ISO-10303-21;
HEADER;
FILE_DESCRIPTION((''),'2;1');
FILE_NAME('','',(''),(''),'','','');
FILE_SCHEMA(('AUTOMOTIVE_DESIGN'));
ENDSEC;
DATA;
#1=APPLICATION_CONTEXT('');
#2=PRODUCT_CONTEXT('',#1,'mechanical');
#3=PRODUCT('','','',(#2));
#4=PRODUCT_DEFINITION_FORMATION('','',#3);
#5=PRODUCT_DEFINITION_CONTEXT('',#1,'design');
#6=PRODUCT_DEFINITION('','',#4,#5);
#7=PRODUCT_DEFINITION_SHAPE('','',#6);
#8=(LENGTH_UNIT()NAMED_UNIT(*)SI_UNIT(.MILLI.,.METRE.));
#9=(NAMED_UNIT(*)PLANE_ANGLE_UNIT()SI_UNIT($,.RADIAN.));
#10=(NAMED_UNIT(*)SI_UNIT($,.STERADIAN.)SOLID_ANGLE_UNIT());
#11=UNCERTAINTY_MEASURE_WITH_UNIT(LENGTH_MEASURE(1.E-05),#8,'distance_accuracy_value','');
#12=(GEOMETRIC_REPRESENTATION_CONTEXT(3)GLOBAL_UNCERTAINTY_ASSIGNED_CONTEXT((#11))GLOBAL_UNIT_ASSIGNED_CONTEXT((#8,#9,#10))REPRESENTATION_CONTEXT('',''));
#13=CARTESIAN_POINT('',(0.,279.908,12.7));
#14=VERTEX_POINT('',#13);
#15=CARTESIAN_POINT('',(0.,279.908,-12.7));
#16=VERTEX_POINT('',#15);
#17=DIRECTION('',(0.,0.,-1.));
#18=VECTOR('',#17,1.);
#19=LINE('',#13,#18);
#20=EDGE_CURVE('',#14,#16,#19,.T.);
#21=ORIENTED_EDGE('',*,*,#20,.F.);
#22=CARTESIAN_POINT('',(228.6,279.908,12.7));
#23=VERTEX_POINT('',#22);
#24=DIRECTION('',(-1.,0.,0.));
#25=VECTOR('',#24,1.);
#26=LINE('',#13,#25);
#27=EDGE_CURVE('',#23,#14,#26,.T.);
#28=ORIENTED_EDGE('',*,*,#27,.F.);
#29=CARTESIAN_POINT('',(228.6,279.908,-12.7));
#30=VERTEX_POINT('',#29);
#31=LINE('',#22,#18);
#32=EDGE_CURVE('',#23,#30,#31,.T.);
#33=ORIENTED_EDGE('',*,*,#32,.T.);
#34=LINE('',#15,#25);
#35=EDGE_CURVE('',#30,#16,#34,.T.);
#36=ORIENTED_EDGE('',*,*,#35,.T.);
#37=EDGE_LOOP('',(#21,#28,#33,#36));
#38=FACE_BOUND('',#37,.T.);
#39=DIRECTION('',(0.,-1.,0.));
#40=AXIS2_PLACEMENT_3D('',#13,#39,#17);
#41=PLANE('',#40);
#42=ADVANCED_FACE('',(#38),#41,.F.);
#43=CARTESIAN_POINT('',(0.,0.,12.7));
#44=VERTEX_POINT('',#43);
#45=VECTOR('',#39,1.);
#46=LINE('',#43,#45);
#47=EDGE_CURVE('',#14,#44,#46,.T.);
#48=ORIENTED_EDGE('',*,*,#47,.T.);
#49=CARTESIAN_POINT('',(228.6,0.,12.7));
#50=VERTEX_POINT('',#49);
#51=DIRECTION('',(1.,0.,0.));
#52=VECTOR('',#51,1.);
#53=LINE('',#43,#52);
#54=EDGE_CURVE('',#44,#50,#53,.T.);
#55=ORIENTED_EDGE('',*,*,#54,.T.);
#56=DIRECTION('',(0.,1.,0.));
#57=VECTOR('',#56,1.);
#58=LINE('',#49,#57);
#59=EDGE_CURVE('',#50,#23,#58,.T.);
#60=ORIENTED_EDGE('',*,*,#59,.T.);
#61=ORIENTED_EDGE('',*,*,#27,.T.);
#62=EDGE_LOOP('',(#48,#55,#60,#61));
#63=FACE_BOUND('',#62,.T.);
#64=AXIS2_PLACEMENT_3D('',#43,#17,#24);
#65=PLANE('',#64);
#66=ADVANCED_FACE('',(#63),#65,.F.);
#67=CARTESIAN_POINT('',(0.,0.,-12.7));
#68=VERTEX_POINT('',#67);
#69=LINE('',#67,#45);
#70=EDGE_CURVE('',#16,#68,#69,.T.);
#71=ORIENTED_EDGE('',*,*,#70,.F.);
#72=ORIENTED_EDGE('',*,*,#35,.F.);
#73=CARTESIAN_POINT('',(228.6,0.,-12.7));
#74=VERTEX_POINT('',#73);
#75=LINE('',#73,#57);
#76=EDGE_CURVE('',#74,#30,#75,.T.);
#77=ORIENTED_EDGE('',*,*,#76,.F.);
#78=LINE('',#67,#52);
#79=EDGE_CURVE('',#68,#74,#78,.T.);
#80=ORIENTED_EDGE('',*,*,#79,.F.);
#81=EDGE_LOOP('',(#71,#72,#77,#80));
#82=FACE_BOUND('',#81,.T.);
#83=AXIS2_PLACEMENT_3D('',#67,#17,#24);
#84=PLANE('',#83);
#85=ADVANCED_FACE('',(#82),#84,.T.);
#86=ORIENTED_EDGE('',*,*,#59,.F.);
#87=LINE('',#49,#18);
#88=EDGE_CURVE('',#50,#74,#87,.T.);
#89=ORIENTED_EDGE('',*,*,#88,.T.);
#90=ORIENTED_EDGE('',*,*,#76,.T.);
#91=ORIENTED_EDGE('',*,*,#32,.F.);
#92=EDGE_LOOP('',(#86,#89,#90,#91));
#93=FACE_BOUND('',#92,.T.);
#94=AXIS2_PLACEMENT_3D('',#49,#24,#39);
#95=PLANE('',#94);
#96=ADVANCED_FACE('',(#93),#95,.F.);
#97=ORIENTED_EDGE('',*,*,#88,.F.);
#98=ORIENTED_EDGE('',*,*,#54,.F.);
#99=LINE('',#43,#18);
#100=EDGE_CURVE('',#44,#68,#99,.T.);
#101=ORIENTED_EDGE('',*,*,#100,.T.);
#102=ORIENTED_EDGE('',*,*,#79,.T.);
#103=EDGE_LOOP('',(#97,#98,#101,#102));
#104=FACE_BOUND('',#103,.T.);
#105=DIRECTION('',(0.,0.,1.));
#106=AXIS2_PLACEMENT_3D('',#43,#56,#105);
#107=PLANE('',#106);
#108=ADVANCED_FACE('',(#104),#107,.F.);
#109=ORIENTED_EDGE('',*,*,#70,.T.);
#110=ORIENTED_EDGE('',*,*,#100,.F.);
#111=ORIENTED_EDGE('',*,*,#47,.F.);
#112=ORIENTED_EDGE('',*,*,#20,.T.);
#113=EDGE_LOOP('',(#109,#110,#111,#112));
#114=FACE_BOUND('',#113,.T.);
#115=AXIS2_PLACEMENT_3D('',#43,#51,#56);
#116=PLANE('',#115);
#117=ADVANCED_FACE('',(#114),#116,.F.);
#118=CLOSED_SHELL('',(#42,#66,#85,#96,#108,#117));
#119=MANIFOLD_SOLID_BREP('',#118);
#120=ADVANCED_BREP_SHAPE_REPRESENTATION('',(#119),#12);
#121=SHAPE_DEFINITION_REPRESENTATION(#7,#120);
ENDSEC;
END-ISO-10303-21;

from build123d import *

# Parameters (mm, degrees)
SKETCH1_W           = 228.6
SKETCH1_H           = 279.908
BOSS_EXTRUDE1_DEPTH = 12.7


with BuildPart() as part:
    # Sketch1 → Boss-Extrude1 (new, symmetric)
    with BuildSketch(Plane.XY):
        with Locations((114.3, 139.954)):
            Rectangle(SKETCH1_W, SKETCH1_H)
    extrude(amount=BOSS_EXTRUDE1_DEPTH, both=True)


solid = part.part
